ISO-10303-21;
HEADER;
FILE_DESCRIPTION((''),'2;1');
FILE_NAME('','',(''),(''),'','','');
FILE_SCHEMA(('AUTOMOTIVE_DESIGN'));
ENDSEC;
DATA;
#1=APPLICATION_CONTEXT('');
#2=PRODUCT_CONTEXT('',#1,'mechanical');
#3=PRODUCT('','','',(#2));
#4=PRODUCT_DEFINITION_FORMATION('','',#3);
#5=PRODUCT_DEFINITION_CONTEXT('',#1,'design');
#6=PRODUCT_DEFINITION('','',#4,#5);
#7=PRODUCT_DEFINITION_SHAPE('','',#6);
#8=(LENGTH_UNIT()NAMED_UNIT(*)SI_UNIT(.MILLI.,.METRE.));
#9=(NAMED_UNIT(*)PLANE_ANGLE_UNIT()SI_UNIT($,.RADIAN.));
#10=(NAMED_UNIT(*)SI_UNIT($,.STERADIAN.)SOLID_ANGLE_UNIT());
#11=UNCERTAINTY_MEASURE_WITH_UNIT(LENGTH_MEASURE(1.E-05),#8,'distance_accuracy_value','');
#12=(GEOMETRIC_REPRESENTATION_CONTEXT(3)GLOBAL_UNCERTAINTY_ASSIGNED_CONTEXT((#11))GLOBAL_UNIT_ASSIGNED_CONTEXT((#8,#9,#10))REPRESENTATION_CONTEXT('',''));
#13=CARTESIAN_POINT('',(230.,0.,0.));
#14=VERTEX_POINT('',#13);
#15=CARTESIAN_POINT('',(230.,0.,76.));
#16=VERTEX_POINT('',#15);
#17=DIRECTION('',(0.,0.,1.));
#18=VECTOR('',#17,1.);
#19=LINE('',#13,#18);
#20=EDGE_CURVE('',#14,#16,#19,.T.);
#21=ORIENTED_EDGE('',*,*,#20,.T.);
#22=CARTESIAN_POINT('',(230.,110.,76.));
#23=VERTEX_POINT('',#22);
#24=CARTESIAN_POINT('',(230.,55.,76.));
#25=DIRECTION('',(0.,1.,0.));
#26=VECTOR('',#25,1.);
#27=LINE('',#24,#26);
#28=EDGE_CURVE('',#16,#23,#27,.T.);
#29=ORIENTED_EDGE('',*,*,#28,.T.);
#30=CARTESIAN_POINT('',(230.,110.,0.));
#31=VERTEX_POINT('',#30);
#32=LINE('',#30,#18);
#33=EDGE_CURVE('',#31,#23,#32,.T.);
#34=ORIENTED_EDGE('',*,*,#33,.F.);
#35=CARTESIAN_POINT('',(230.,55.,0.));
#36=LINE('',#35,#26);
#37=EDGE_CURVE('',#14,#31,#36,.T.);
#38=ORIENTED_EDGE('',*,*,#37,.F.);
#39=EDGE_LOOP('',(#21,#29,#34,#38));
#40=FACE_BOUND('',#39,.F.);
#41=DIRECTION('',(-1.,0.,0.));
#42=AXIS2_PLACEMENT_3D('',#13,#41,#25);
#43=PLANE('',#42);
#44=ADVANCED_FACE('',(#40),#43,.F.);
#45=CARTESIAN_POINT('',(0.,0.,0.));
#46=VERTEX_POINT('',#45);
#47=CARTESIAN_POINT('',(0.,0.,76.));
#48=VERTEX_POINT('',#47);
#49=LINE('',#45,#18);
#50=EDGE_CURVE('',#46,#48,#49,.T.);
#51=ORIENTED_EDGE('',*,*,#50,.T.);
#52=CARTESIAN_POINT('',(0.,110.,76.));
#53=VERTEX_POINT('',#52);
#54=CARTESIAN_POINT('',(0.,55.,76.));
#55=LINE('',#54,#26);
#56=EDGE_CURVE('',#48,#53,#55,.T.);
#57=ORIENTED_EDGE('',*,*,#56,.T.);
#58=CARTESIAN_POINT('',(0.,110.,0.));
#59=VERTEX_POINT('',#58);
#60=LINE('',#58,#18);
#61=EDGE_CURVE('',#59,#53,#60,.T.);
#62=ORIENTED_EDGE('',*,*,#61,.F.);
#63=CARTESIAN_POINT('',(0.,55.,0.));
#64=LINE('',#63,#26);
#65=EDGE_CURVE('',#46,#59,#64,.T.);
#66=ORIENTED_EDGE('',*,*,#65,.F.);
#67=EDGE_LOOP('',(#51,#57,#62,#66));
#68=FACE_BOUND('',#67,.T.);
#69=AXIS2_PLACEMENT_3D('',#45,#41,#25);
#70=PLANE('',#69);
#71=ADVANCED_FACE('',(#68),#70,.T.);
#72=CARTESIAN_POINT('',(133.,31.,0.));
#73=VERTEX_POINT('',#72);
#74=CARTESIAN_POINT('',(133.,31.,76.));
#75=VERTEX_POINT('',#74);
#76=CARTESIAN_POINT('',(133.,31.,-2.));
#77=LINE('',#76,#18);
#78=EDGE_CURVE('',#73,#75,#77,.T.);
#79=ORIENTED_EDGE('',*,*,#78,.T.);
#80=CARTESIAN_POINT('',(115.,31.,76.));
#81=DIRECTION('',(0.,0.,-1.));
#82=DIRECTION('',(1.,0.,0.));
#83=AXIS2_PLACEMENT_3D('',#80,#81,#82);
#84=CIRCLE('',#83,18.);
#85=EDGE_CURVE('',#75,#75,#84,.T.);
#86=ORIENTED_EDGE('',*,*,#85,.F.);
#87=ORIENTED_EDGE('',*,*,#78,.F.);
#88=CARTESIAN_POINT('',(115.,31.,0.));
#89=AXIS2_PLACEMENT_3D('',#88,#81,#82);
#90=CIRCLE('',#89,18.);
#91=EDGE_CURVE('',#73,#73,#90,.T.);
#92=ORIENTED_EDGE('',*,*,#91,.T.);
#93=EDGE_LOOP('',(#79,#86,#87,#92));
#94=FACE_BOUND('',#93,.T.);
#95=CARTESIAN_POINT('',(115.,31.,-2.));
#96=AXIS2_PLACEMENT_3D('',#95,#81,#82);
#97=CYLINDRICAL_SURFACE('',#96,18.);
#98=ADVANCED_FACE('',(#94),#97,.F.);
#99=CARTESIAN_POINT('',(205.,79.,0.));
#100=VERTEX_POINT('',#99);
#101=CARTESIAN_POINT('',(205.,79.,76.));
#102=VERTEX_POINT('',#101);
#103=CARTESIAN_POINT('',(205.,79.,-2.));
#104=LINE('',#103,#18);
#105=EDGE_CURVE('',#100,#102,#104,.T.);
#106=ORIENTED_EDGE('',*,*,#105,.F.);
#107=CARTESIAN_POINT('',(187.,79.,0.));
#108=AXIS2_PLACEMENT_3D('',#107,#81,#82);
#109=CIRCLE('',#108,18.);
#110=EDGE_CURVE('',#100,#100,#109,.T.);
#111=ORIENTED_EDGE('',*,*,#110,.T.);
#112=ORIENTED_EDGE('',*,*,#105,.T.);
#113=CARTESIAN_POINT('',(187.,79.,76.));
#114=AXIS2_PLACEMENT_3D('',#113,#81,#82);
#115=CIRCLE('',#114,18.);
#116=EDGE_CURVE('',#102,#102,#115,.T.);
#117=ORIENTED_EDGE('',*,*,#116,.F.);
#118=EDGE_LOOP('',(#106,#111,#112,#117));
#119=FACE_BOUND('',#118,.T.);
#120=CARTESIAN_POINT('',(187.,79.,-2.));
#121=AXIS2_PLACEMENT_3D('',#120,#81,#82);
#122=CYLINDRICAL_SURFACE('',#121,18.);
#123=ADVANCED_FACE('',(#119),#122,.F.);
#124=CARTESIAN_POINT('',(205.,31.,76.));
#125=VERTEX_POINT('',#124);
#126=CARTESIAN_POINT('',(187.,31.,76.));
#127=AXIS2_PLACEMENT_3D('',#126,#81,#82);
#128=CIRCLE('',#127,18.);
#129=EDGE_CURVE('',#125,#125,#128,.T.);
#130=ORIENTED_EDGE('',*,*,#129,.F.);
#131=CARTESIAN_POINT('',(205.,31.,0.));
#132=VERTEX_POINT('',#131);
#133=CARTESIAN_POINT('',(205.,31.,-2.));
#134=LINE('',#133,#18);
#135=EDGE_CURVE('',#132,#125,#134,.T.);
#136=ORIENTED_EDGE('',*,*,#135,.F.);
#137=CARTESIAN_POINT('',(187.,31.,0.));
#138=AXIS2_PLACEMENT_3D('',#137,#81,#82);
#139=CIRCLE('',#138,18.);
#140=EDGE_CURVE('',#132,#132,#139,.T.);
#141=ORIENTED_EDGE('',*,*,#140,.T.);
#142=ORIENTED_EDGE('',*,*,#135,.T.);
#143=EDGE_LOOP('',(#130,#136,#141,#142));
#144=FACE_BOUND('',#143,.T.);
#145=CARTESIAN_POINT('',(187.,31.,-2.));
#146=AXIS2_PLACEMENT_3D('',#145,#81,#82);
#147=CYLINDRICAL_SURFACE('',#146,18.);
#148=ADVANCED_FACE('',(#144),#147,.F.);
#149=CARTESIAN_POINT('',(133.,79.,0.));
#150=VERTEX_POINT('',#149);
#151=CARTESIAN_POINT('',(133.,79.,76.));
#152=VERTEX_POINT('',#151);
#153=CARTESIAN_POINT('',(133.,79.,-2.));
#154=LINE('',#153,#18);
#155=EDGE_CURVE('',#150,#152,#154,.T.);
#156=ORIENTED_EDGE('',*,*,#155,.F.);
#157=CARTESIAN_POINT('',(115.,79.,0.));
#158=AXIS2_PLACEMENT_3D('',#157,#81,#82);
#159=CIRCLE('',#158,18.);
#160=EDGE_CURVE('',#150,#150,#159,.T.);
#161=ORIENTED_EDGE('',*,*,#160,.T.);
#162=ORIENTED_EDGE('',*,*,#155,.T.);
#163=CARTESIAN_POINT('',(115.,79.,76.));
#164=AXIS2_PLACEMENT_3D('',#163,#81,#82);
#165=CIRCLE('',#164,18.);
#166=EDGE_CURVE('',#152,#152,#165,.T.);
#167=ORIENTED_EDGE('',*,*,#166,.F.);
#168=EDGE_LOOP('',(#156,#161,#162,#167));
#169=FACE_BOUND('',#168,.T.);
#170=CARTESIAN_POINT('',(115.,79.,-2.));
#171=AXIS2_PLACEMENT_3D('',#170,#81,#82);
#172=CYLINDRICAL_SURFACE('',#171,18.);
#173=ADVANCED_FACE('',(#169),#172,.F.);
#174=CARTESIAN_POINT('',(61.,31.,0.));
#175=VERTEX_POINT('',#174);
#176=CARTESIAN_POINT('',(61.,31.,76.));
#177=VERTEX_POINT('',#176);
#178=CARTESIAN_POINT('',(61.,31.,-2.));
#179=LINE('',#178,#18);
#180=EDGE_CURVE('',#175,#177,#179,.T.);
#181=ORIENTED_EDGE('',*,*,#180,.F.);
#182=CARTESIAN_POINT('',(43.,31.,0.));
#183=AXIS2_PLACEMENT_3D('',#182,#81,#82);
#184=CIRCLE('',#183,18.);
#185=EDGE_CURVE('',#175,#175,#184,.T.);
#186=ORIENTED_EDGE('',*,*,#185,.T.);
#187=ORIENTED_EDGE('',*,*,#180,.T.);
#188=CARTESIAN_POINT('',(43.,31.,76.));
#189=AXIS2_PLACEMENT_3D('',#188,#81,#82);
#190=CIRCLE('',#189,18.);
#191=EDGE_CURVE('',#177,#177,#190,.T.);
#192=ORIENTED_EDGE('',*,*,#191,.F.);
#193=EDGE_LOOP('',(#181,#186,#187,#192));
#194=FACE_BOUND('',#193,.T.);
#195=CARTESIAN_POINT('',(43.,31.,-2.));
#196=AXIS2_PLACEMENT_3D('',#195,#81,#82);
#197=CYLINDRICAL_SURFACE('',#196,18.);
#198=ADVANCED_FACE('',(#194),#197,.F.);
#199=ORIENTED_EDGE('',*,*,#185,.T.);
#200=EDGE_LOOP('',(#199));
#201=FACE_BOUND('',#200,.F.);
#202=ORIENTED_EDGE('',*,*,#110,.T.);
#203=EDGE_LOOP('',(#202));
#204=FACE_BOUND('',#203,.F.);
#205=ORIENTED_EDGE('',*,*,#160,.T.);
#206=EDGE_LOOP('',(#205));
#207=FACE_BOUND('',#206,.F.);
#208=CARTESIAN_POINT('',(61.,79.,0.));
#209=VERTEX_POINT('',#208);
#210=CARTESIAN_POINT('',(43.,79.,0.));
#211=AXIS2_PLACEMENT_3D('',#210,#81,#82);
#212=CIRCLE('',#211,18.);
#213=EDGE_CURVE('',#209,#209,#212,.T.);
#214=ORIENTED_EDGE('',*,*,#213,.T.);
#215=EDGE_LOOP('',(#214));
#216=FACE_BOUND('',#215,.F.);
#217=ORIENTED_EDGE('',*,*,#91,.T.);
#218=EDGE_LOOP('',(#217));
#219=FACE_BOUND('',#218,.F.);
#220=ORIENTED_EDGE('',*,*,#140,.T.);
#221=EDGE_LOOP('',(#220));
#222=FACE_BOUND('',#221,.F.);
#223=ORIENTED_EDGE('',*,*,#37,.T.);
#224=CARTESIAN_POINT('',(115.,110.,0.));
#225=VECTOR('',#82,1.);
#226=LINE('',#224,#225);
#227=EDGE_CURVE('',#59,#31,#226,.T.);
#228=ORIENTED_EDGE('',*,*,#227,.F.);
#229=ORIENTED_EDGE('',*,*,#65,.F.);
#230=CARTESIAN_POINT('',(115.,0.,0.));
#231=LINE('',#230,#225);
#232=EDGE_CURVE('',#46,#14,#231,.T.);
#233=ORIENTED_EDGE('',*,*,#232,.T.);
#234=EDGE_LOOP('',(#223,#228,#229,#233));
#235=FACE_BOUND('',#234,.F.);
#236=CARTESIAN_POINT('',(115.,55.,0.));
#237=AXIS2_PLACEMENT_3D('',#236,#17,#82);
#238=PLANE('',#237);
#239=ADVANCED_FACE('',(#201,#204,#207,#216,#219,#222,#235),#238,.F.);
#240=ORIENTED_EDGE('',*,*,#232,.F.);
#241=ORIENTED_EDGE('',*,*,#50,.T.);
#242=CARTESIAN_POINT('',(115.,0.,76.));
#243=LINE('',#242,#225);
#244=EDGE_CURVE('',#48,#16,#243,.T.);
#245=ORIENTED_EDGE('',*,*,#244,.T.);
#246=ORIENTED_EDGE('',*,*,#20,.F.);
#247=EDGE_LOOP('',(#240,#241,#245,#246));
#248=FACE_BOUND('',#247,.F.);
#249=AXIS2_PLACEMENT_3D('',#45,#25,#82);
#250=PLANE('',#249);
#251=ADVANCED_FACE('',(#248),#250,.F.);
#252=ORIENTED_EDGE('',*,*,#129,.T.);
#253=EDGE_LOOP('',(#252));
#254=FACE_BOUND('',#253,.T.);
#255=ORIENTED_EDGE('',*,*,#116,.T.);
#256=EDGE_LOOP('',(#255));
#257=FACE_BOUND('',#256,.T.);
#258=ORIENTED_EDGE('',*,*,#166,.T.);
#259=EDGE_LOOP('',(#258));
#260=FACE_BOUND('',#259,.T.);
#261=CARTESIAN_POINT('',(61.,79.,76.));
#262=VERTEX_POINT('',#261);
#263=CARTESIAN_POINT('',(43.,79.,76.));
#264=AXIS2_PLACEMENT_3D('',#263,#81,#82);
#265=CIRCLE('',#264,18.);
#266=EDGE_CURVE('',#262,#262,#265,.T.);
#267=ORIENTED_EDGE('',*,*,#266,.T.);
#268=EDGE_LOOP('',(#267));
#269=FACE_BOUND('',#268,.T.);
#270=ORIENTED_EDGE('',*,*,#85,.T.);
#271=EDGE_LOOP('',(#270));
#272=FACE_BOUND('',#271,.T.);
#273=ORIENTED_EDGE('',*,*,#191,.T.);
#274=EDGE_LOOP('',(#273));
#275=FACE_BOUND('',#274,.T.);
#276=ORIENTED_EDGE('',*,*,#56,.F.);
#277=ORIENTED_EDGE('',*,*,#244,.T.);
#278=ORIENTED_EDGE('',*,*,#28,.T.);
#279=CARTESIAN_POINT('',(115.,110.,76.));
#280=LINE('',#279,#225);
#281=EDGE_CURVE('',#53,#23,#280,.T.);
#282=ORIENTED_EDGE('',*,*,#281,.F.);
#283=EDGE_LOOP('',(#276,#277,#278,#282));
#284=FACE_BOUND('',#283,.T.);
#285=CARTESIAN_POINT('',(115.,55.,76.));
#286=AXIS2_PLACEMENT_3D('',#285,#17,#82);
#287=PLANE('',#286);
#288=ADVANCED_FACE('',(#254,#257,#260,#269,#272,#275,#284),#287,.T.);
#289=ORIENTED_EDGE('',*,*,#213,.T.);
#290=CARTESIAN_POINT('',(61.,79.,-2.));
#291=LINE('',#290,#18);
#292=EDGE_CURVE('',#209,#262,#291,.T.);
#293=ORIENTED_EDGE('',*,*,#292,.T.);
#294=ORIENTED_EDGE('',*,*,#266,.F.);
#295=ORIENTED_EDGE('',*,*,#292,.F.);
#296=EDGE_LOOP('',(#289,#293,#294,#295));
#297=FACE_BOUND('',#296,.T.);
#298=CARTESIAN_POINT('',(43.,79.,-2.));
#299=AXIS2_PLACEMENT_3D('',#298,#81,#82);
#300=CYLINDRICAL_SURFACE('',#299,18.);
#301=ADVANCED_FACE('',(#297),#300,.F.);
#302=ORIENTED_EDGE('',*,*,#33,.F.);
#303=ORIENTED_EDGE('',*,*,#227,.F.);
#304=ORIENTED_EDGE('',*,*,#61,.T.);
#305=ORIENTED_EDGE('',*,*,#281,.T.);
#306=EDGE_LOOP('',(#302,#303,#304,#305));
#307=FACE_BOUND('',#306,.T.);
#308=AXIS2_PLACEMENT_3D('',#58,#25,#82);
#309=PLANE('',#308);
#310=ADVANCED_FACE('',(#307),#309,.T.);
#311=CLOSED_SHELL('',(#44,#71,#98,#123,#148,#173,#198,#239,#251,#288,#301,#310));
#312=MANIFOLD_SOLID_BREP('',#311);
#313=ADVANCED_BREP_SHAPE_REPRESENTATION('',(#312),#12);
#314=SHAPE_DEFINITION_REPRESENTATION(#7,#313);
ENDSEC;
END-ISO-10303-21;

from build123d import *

# Parameters (mm, degrees)
CYLINDER001_R     = 18
CYLINDER001_DEPTH = 80
CYLINDER002_R     = 18
CYLINDER002_DEPTH = 80
CYLINDER003_R     = 18
CYLINDER003_DEPTH = 80
CYLINDER004_R     = 18
CYLINDER004_DEPTH = 80
CYLINDER005_R     = 18
CYLINDER005_DEPTH = 80
CYLINDER_R        = 18
CYLINDER_DEPTH    = 80
BOX_W             = 230
BOX_H             = 110
BOX_DEPTH         = 76


with BuildPart() as cilindre001:
    # Cylinder001 → Cylinder001 (new body)
    with BuildSketch(Plane(origin=(43, 79, -2), x_dir=(1, 0, 0), z_dir=(0, 0, 1))):
        Circle(CYLINDER001_R)
    extrude(amount=CYLINDER001_DEPTH)


with BuildPart() as cilindre002:
    # Cylinder002 → Cylinder002 (new body)
    with BuildSketch(Plane(origin=(187, 79, -2), x_dir=(1, 0, 0), z_dir=(0, 0, 1))):
        Circle(CYLINDER002_R)
    extrude(amount=CYLINDER002_DEPTH)


with BuildPart() as cilindre003:
    # Cylinder003 → Cylinder003 (new body)
    with BuildSketch(Plane(origin=(115, 31, -2), x_dir=(1, 0, 0), z_dir=(0, 0, 1))):
        Circle(CYLINDER003_R)
    extrude(amount=CYLINDER003_DEPTH)


with BuildPart() as cilindre004:
    # Cylinder004 → Cylinder004 (new body)
    with BuildSketch(Plane(origin=(115, 79, -2), x_dir=(1, 0, 0), z_dir=(0, 0, 1))):
        Circle(CYLINDER004_R)
    extrude(amount=CYLINDER004_DEPTH)


with BuildPart() as cilindre005:
    # Cylinder005 → Cylinder005 (new body)
    with BuildSketch(Plane(origin=(187, 31, -2), x_dir=(1, 0, 0), z_dir=(0, 0, 1))):
        Circle(CYLINDER005_R)
    extrude(amount=CYLINDER005_DEPTH)


with BuildPart() as fusion:
    # Cylinder → Cylinder (new body)
    with BuildSketch(Plane(origin=(43, 31, -2), x_dir=(1, 0, 0), z_dir=(0, 0, 1))):
        Circle(CYLINDER_R)
    extrude(amount=CYLINDER_DEPTH)

    # Fusion: union Cilindre001, Cilindre002, Cilindre003, Cilindre004, Cilindre005
    add(cilindre001.part)
    add(cilindre002.part)
    add(cilindre003.part)
    add(cilindre004.part)
    add(cilindre005.part)


with BuildPart() as brick:
    # Box → Box (new body)
    with BuildSketch(Plane.XY):
        with Locations((115, 55)):
            Rectangle(BOX_W, BOX_H)
    extrude(amount=BOX_DEPTH)

    # Cut: cut Fusion
    add(fusion.part, mode=Mode.SUBTRACT)


solid = brick.part
